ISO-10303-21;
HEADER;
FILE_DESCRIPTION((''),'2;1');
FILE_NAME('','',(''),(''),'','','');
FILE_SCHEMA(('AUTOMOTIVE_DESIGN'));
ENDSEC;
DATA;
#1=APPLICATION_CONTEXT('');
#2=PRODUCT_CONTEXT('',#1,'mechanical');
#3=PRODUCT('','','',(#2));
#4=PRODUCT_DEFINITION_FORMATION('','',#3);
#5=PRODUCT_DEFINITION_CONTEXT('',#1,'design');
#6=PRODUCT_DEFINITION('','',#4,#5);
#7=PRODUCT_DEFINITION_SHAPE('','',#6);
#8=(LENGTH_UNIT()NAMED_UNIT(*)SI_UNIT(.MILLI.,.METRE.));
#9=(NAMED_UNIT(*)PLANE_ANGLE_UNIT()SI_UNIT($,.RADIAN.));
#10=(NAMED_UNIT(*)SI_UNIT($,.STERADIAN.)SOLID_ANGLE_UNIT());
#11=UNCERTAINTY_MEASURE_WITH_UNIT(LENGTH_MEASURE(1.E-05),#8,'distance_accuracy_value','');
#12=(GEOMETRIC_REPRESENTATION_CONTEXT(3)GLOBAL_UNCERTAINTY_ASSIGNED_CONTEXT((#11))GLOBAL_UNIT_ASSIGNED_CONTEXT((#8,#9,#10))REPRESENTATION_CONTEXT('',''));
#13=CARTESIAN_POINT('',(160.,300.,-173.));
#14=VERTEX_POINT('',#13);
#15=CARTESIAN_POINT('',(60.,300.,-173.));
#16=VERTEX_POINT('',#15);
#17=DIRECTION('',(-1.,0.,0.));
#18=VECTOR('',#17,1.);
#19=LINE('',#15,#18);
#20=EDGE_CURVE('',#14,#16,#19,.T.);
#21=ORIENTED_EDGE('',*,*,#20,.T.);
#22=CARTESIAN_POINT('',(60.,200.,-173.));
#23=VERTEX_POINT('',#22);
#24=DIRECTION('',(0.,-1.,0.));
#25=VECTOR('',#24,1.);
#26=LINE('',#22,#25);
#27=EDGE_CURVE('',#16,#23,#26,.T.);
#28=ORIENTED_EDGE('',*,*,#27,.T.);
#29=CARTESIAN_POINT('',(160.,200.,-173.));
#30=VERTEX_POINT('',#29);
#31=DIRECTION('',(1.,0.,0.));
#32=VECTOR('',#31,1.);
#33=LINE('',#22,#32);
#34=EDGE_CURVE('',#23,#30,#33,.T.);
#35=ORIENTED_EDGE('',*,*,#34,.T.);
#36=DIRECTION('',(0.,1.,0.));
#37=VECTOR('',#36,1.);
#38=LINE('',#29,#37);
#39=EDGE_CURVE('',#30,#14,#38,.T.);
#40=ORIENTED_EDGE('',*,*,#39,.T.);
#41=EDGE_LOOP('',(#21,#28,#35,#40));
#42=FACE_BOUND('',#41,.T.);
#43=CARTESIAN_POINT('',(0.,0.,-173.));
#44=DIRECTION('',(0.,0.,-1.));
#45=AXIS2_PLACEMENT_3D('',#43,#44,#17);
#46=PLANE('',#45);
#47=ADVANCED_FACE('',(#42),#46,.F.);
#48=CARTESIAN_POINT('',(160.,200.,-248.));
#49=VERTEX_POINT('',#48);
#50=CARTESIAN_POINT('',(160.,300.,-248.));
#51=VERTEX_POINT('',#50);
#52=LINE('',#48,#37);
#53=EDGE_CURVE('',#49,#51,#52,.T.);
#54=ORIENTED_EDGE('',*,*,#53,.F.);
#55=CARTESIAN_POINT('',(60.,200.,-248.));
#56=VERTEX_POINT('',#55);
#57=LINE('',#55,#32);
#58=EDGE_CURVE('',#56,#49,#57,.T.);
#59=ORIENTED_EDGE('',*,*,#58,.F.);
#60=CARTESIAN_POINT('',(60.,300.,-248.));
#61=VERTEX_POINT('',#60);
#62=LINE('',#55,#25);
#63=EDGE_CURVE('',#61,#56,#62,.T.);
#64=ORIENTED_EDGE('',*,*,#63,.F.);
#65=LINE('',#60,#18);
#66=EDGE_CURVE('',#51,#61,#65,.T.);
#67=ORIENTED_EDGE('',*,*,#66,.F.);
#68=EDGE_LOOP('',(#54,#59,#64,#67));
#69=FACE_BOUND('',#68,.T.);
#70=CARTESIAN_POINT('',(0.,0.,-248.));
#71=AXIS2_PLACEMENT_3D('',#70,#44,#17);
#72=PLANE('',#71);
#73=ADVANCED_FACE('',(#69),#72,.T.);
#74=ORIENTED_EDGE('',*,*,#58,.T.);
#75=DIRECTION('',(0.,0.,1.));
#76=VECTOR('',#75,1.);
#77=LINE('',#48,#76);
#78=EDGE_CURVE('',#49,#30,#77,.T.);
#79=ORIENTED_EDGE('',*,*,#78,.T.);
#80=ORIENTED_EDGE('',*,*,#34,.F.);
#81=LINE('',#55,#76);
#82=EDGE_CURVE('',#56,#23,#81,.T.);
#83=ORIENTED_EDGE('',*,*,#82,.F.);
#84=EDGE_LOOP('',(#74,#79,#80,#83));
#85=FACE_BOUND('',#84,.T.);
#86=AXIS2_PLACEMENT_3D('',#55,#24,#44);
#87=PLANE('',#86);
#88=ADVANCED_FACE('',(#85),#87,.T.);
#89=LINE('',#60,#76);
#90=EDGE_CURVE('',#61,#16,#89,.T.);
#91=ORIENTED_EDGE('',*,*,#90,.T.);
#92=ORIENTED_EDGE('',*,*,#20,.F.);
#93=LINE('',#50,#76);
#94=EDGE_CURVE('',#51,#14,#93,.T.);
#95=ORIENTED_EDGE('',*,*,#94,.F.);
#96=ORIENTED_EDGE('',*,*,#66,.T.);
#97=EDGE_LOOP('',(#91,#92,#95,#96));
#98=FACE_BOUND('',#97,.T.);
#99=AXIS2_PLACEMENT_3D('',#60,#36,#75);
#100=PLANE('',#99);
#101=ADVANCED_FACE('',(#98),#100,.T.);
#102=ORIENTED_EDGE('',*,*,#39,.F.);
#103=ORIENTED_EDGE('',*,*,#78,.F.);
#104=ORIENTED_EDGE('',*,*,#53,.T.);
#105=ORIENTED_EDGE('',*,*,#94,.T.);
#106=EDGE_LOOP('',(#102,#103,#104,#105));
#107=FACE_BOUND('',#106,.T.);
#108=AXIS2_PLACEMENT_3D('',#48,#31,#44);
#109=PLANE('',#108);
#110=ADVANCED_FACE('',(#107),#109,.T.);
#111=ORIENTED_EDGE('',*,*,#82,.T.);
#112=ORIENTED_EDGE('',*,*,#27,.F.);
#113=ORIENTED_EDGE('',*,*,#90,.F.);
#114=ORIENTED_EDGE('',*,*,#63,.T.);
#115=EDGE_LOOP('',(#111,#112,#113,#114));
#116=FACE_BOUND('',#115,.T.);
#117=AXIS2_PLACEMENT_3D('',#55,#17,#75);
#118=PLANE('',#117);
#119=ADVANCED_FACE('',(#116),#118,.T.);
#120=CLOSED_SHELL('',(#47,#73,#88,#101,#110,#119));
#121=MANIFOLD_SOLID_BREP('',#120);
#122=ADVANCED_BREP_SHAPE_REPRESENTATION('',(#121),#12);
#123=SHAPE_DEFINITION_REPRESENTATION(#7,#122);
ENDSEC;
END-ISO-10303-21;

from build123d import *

# Parameters (mm, degrees)
OVEN_PANO_PLC_1_START = -173
SKETCH1_W             = 100
SKETCH1_H             = 100
OVEN_PANO_PLC_1_DEPTH = 75


with BuildPart() as part:
    # Sketch1 → OVEN_pano_plc_1 (new body)
    with BuildSketch(Plane.XY.offset(OVEN_PANO_PLC_1_START)):
        with Locations((110, 250)):
            Rectangle(SKETCH1_W, SKETCH1_H)
    extrude(amount=-OVEN_PANO_PLC_1_DEPTH)


solid = part.part
